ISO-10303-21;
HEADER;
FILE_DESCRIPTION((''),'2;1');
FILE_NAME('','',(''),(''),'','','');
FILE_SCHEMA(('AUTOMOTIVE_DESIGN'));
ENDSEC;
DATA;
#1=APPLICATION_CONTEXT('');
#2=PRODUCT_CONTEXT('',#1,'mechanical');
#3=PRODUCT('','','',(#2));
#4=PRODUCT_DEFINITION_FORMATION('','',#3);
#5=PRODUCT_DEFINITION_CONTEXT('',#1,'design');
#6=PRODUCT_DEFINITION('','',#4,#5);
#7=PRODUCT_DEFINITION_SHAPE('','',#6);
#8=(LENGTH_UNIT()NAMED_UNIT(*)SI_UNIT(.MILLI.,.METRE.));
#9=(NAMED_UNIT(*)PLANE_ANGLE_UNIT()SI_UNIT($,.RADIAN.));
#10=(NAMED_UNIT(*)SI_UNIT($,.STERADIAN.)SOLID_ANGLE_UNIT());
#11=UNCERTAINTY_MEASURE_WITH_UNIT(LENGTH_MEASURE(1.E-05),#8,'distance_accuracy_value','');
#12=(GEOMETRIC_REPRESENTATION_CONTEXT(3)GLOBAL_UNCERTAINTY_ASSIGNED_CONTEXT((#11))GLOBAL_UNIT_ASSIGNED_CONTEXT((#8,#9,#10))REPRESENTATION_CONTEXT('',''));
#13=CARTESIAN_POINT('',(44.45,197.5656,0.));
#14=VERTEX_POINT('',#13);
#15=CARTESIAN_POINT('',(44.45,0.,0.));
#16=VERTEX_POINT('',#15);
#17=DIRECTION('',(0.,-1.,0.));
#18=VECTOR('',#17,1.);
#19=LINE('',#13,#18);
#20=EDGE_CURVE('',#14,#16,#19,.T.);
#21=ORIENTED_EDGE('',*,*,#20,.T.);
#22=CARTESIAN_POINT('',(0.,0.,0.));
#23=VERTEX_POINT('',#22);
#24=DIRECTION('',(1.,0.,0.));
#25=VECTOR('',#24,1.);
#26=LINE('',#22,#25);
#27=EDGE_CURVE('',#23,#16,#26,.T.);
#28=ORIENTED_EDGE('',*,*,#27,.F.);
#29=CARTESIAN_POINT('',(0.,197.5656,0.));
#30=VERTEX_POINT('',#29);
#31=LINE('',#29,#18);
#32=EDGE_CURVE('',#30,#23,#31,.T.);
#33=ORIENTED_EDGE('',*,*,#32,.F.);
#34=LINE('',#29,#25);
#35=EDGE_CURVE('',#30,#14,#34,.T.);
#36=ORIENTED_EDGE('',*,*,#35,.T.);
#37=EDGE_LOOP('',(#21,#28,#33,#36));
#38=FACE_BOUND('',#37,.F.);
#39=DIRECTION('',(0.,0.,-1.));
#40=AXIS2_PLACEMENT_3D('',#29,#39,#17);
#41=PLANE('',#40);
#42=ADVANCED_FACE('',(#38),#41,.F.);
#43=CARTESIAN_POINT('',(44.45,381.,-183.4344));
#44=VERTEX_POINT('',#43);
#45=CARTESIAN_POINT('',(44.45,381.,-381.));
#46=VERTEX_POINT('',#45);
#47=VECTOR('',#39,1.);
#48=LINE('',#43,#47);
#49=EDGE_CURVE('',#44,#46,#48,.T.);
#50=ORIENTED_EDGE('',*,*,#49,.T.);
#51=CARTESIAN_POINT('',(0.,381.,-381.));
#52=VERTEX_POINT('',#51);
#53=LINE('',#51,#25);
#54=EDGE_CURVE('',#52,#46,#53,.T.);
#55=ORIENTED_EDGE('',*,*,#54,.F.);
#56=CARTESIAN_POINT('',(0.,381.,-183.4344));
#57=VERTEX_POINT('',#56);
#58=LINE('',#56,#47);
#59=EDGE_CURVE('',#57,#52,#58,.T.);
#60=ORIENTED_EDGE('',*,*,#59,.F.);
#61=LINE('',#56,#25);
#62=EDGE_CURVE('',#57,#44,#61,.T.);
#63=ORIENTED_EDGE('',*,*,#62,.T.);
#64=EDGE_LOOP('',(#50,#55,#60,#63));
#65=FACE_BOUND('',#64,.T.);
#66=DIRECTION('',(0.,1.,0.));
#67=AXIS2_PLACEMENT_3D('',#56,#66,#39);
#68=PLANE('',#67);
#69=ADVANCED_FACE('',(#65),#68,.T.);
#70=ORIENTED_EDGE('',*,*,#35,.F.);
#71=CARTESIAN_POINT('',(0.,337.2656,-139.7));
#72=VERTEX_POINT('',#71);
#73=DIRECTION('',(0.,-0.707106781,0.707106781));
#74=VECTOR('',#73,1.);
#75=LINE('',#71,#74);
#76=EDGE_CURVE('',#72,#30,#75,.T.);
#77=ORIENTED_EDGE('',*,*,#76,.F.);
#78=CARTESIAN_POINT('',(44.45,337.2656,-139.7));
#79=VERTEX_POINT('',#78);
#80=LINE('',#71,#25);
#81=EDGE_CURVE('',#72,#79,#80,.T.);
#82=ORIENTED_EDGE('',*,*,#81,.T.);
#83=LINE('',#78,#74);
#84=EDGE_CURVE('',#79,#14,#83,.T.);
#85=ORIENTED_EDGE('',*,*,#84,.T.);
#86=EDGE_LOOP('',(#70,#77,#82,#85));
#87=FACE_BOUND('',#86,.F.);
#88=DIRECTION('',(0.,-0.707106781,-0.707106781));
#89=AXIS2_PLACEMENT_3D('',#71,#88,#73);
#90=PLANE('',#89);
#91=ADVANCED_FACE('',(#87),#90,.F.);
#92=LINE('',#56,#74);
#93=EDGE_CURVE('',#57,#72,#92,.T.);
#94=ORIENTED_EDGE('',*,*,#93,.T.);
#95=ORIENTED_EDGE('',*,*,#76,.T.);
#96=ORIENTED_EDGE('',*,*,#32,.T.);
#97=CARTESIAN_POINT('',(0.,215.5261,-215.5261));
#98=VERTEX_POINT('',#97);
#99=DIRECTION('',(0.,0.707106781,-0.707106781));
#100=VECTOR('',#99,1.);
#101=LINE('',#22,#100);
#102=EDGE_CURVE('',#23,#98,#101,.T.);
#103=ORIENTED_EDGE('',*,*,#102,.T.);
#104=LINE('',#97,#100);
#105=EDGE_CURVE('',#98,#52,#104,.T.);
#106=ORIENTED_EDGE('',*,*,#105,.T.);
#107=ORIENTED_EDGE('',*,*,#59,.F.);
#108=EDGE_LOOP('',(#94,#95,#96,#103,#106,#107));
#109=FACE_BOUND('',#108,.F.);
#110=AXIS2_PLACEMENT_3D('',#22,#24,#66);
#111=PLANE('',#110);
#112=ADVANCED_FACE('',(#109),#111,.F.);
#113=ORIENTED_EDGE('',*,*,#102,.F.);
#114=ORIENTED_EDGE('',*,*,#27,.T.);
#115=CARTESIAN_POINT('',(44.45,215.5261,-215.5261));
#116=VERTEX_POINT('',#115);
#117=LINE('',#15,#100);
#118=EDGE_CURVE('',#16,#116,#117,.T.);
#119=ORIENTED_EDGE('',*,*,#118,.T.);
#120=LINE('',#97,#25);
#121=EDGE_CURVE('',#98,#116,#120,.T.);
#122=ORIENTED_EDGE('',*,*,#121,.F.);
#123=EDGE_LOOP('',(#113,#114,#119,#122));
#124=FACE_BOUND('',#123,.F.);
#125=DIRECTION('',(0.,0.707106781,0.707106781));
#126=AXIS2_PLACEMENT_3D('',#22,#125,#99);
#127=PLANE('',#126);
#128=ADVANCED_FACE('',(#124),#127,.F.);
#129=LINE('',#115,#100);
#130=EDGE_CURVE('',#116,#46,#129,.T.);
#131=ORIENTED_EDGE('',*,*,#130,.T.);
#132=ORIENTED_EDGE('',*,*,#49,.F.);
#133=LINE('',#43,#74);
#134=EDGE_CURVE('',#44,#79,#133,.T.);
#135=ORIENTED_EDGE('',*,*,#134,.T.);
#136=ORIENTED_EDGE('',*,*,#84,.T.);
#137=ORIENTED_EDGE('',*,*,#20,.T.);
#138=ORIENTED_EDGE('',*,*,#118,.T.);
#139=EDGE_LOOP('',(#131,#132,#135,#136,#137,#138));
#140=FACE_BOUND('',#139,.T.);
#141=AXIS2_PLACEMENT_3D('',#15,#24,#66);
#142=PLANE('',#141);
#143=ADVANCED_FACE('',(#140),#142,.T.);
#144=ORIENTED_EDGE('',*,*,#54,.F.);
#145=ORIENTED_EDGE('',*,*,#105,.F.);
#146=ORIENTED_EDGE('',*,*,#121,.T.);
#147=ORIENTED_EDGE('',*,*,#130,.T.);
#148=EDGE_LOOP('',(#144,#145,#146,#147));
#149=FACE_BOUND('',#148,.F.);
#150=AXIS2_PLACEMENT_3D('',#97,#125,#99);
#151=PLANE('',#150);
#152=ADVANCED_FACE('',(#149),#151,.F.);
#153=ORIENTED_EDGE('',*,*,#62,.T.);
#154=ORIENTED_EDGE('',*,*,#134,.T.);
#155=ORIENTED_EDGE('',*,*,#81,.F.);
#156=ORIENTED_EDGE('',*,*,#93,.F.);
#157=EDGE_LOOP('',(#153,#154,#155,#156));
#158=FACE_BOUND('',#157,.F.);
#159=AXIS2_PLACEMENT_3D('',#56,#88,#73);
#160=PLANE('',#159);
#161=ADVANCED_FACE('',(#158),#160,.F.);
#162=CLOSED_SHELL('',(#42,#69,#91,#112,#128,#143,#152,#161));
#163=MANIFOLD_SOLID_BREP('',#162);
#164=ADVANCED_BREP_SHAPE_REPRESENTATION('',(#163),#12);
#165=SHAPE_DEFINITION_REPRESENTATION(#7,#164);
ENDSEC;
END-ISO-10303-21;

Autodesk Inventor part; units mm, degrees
ref_plane "YZ Plane" through (0, 0, 0) normal (1, 0, 0) x (0, 1, 0)
ref_plane "XZ Plane" through (0, 0, 0) normal (0, 1, 0) x (-1, 0, 0)
ref_plane "XY Plane" through (0, 0, 0) normal (0, 0, 1) x (1, 0, 0)
sketch "Sketch1" plane through (0, 0, 0) normal (1, 0, 0) x (0, 1, 0)
  line L0 (0, 0) -> (215.5261, -215.5261)
  line L1 (0, 0) -> (304.8, 0) construction
  line L2 (381, -183.4344) -> (337.2656, -139.7)
  line L3 (337.2656, -139.7) -> (197.5656, 0)
  line L4 (197.5656, 0) -> (0, 0)
  line L5 (215.5261, -215.5261) -> (381, -381)
  line L6 (381, -183.4344) -> (381, -381)
  dimension "d0" = 304.8
  dimension "d1" = 45
  dimension "d2" = 139.7
  dimension "d5" = 381
extrude "Extrusion1" add sketch "Sketch1" along normal blind 44.45
properties part number "gableSupport" material "Wood (Birch)"
